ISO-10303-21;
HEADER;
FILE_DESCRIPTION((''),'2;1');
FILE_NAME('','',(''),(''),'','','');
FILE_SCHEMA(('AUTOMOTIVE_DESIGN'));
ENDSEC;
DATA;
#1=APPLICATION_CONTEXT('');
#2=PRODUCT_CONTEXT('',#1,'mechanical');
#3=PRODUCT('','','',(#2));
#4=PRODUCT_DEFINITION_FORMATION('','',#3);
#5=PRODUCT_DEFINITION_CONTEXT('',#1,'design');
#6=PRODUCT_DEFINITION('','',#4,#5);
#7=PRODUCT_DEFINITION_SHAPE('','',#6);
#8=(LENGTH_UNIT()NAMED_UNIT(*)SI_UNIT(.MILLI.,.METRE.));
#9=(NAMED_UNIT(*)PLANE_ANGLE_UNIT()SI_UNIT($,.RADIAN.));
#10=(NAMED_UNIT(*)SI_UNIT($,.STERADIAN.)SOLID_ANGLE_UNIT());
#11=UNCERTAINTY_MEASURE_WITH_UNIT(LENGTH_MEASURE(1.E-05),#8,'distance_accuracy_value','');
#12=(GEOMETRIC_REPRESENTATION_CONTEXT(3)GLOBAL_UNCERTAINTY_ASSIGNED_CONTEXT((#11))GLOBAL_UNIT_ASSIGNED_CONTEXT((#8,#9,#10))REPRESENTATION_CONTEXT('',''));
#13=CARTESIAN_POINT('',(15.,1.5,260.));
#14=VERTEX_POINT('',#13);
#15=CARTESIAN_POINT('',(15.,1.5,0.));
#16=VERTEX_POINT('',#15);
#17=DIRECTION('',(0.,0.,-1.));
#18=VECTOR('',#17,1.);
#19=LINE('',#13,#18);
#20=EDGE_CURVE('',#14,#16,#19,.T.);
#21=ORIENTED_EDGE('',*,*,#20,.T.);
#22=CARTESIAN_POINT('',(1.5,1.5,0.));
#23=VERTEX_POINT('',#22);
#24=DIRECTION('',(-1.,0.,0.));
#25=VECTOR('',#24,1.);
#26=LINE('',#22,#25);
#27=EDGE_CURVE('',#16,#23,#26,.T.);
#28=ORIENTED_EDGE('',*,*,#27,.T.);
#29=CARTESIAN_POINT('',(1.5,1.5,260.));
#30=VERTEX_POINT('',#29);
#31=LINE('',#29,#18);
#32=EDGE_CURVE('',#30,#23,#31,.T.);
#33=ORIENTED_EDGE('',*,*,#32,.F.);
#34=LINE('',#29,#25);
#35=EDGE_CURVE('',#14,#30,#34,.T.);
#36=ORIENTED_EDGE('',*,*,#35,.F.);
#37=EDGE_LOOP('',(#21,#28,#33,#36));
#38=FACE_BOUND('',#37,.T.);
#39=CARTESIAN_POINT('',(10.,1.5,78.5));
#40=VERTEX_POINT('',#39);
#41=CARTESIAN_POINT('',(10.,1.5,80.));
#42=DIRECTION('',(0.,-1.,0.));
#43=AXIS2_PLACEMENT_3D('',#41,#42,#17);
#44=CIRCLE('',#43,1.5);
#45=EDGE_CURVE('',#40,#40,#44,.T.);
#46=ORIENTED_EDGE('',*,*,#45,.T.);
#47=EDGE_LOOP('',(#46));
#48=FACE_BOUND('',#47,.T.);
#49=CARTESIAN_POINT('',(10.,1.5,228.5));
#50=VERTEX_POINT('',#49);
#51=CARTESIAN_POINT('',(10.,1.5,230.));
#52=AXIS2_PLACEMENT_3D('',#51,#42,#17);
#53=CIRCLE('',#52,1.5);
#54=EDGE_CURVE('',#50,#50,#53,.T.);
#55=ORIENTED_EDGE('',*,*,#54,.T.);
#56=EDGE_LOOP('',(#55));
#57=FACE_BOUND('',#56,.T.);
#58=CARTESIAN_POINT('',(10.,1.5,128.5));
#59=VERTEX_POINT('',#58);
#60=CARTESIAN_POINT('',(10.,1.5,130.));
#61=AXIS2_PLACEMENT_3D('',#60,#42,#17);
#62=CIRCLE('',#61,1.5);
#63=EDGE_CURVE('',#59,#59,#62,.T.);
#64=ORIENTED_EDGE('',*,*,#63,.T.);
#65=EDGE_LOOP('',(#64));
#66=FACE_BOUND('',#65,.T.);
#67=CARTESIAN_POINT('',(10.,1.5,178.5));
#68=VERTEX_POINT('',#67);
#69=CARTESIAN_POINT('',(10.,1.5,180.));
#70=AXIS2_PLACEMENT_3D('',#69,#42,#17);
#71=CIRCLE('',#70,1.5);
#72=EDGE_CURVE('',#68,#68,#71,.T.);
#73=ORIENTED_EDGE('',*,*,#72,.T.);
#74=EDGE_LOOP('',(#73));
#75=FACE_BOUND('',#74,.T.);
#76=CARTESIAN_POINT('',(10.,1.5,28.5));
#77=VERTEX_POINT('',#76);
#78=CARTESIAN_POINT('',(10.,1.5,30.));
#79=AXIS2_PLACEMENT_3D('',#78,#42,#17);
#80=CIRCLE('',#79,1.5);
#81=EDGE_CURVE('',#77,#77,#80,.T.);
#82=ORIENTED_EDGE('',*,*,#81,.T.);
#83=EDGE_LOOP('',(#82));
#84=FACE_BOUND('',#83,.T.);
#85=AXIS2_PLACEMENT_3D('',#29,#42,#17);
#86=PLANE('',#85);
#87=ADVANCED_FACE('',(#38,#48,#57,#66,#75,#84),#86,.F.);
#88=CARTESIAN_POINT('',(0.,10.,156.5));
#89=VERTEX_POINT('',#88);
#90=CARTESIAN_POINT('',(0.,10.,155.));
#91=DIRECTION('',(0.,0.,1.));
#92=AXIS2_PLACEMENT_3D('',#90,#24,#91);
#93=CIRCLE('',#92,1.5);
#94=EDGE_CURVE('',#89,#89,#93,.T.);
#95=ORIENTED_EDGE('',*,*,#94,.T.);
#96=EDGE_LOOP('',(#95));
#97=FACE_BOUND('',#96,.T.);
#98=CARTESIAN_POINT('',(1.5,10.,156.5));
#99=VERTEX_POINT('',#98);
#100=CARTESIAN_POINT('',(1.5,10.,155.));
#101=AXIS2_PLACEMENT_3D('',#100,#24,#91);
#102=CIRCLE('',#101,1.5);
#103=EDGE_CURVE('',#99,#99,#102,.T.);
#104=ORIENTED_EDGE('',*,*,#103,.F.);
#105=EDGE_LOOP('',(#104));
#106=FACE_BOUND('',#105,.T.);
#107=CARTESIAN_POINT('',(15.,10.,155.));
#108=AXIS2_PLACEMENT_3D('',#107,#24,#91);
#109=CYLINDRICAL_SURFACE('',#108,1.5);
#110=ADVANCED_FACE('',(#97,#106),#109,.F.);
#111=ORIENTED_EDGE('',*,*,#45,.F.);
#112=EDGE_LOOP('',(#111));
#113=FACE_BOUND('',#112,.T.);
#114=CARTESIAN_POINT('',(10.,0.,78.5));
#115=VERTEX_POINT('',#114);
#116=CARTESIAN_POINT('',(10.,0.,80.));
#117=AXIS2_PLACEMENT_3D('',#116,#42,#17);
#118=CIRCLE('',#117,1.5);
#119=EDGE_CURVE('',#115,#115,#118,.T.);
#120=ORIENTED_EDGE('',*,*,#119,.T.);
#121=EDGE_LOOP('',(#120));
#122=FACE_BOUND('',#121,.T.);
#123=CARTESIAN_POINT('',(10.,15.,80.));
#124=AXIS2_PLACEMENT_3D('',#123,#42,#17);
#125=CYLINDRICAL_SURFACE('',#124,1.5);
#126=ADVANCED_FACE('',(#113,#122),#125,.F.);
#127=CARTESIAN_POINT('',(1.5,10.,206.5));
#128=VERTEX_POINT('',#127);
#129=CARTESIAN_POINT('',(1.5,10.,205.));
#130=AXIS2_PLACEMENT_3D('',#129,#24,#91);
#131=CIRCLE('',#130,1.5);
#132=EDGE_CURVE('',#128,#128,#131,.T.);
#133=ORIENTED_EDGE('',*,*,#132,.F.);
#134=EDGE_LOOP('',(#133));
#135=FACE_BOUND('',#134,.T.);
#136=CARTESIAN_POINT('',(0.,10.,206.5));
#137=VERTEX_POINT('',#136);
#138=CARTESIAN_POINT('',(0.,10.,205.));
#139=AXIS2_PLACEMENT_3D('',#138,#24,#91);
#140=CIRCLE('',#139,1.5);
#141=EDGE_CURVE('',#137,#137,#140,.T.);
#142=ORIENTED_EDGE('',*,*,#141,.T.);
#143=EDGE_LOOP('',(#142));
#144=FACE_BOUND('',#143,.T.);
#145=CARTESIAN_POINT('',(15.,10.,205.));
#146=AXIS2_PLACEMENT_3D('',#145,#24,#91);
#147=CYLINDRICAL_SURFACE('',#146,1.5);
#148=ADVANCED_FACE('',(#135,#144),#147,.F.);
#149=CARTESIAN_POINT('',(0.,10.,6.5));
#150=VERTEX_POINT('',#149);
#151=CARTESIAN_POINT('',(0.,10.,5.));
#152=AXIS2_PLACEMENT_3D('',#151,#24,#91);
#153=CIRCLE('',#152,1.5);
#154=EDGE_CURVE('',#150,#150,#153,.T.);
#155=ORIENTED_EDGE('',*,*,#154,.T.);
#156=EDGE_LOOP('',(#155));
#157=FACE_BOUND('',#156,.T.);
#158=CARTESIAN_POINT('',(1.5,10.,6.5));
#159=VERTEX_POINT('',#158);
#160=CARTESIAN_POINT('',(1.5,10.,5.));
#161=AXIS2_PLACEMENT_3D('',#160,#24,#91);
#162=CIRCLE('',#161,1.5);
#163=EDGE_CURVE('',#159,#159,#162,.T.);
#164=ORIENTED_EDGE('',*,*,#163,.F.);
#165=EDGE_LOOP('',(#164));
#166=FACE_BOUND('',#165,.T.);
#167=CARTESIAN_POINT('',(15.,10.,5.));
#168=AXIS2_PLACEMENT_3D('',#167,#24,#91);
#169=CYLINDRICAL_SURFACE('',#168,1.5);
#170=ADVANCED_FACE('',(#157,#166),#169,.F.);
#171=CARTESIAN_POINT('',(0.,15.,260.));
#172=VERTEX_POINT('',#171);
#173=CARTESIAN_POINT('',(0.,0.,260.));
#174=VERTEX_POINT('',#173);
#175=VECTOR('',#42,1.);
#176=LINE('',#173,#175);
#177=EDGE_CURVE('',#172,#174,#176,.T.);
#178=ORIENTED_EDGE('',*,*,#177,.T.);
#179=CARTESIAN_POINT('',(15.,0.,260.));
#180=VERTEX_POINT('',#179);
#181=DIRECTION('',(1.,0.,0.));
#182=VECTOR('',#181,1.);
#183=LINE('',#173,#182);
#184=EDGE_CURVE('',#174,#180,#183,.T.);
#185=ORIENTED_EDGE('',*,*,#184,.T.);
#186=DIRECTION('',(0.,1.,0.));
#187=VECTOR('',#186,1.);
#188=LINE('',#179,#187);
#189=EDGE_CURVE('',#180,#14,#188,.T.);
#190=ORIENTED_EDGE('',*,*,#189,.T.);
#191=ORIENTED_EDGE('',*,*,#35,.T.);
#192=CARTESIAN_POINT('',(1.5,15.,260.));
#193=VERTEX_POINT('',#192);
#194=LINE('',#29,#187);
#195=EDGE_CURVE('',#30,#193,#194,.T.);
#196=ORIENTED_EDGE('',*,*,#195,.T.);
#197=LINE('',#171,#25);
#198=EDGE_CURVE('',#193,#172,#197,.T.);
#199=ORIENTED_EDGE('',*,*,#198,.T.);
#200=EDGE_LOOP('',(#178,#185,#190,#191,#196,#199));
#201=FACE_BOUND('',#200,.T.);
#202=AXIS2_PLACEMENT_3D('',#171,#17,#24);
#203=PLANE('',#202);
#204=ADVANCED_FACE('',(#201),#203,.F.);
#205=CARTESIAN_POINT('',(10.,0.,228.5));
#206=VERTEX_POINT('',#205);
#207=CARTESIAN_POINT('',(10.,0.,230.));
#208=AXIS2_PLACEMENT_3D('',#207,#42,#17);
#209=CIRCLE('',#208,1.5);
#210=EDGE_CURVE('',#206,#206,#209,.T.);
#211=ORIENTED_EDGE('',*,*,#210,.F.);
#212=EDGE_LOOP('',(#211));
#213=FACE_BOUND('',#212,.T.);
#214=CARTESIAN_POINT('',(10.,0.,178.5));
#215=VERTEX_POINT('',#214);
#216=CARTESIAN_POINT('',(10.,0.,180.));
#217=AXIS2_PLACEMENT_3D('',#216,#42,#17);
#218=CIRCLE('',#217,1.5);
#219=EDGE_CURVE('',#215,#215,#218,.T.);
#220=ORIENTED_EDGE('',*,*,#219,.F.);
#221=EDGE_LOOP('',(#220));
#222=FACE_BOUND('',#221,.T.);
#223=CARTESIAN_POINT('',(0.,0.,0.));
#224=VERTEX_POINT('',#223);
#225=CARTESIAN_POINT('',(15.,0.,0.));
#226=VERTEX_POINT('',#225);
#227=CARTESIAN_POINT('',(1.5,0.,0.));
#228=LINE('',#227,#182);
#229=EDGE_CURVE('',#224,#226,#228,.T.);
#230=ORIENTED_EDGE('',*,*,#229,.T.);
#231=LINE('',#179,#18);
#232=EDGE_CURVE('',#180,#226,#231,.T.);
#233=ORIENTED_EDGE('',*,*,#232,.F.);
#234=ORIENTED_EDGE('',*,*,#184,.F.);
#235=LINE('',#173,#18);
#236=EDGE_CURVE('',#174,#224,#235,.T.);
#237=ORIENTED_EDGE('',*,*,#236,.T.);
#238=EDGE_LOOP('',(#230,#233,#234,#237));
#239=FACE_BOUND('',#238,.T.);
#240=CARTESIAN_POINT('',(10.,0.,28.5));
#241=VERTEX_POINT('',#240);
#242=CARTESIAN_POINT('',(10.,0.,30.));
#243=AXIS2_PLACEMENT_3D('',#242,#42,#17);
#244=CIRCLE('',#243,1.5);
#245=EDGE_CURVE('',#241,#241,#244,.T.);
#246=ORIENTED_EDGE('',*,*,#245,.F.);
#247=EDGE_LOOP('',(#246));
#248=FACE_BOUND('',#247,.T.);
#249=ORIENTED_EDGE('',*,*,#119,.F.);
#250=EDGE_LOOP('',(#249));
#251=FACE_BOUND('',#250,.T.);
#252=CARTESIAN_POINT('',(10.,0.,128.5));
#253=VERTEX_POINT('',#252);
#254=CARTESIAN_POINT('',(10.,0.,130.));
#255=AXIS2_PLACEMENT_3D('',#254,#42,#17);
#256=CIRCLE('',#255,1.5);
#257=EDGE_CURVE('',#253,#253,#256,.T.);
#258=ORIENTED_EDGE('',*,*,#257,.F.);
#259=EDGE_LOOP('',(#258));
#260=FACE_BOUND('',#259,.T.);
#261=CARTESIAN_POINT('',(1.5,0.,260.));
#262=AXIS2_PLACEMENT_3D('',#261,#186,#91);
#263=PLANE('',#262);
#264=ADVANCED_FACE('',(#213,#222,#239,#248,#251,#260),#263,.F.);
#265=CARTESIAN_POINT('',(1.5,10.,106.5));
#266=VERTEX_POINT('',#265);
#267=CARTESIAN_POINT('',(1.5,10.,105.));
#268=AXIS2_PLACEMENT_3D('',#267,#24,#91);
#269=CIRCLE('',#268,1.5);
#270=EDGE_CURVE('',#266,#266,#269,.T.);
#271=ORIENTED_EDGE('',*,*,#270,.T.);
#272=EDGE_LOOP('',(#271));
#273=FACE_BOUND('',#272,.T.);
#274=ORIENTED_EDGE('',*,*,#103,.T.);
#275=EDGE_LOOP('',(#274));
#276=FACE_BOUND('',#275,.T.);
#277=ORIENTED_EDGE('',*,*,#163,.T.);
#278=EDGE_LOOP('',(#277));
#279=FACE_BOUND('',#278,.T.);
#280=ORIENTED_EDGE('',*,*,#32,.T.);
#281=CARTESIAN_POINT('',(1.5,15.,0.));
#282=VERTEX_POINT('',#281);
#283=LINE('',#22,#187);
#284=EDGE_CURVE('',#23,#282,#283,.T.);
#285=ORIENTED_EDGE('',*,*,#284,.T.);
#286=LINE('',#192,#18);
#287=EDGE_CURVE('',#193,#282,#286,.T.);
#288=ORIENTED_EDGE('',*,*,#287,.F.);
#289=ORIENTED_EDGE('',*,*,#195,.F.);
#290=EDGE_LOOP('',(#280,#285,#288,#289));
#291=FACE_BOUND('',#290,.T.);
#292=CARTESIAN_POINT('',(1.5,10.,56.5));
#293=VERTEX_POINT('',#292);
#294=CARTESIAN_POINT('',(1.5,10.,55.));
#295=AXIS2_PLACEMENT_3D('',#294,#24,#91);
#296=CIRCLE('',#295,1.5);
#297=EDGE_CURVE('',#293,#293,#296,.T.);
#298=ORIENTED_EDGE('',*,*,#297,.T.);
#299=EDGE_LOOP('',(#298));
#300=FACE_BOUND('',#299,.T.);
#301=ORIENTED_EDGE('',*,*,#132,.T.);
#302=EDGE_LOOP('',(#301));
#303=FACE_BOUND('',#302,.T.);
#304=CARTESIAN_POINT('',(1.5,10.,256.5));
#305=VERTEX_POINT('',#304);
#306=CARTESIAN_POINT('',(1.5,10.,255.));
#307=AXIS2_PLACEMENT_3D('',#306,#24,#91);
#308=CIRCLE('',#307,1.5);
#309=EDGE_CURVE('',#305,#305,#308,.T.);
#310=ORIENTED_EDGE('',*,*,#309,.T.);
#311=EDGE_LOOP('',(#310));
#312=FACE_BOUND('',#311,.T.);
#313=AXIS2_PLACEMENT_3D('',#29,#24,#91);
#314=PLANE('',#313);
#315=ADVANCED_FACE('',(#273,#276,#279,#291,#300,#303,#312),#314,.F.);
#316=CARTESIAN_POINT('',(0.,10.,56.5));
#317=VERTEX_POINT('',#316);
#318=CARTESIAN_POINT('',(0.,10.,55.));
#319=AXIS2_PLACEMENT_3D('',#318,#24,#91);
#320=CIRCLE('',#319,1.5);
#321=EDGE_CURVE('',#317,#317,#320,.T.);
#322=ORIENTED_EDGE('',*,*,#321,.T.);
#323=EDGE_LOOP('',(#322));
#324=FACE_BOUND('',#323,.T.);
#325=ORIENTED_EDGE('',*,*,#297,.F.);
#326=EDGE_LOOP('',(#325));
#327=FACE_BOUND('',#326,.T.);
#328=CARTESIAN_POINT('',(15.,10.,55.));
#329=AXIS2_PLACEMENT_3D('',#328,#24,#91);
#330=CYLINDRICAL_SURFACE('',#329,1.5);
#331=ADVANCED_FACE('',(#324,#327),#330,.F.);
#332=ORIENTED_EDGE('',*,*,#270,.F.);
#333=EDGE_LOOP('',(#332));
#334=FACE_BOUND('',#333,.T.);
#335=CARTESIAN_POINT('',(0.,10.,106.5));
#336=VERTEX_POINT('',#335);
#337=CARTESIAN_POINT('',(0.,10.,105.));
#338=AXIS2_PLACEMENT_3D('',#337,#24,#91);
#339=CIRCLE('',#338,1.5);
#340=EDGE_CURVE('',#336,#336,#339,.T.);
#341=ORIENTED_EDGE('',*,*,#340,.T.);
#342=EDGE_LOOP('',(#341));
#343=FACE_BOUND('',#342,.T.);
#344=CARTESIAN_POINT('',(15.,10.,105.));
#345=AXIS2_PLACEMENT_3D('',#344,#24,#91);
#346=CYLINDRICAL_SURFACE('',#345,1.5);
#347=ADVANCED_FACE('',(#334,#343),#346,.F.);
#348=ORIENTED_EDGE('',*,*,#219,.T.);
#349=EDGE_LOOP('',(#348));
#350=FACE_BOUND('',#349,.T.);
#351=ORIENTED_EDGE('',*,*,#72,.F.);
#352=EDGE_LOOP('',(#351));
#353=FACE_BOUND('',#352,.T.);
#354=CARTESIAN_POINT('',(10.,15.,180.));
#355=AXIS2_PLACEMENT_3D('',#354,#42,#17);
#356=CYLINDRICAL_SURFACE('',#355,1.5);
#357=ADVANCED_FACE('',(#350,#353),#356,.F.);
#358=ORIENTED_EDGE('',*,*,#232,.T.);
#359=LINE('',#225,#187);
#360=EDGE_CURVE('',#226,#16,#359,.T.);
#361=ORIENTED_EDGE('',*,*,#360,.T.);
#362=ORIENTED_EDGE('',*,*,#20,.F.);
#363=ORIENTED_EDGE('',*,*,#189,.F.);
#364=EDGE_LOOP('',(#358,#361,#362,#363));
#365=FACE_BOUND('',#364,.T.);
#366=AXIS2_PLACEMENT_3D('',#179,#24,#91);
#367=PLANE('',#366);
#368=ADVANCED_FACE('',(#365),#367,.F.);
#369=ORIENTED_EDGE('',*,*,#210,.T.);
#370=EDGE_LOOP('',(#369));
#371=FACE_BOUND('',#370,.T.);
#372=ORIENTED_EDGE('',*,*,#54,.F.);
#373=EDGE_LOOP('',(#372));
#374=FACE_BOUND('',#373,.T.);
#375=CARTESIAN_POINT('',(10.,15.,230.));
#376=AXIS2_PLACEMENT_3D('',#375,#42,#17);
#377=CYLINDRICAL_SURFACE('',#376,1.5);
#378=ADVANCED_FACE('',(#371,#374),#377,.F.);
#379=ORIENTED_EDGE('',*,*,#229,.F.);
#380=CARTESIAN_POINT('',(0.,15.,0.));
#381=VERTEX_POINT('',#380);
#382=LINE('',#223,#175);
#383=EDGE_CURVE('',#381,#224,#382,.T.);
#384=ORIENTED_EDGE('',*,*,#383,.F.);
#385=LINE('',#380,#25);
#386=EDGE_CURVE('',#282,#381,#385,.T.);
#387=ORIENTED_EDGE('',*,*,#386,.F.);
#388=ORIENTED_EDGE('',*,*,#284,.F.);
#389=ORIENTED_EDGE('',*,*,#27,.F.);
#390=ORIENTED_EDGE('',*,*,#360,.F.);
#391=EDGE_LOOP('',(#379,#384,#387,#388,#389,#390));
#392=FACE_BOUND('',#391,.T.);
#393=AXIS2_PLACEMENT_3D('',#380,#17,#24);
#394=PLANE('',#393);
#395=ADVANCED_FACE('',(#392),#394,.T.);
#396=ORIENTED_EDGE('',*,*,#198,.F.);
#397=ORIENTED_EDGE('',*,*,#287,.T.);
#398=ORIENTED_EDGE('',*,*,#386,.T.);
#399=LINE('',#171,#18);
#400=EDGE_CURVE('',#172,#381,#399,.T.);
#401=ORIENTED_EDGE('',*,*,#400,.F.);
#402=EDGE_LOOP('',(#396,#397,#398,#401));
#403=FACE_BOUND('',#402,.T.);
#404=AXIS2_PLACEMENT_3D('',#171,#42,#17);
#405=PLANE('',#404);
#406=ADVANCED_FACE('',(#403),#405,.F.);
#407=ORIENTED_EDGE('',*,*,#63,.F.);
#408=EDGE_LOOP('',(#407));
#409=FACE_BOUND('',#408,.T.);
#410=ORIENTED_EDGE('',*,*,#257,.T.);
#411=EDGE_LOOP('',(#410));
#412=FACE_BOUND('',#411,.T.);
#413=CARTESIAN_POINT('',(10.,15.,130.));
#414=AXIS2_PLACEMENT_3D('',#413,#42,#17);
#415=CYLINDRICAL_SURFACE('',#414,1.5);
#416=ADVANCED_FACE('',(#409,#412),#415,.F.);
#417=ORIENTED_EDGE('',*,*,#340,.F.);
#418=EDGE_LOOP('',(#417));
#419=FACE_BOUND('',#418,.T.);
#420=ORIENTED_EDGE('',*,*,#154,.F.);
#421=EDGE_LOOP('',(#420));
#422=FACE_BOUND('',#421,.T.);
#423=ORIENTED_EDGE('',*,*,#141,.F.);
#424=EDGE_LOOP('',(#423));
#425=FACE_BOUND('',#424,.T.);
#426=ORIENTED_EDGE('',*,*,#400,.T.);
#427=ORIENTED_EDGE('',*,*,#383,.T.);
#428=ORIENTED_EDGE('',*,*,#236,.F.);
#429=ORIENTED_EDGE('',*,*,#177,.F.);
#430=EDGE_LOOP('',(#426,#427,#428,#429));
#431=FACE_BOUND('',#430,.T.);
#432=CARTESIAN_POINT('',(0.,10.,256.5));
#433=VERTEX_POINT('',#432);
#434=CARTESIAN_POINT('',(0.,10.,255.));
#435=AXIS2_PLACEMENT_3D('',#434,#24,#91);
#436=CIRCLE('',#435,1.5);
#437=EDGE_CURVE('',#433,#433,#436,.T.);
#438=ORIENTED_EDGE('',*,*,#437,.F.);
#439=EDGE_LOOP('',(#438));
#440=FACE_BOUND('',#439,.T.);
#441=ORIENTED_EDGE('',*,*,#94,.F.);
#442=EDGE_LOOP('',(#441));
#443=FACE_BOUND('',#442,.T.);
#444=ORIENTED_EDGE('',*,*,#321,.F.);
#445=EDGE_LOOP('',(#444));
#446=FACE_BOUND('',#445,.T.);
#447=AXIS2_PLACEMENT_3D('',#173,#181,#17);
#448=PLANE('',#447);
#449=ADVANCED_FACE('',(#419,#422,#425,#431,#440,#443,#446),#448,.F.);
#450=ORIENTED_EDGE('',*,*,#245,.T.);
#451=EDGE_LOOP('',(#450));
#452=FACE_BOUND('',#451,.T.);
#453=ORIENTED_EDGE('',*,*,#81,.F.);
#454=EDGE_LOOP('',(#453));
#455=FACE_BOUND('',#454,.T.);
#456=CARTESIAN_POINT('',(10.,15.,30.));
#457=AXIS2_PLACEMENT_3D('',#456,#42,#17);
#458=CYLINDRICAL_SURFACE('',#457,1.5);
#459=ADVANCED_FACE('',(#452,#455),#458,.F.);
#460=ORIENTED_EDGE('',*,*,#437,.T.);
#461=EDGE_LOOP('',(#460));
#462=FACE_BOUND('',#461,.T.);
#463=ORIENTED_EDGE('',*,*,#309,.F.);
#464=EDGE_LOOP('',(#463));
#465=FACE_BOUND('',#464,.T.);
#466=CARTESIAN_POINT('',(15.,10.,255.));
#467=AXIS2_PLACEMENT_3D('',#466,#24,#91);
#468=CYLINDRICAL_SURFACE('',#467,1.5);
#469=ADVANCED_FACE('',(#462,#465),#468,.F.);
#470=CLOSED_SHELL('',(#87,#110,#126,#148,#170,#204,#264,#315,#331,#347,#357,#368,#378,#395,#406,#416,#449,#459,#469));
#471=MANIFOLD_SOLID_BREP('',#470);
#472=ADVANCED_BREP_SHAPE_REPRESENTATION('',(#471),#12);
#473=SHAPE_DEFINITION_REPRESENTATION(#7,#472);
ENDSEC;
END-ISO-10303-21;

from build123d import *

# Parameters (mm, degrees)
EXTRUSION1_DEPTH           = 260
ESQUISSE2_R                = 1.5
EXTRUSION2_DEPTH           = 261.863949215
R_P_TITION_LIN_AIRE1_COUNT = 6
R_P_TITION_LIN_AIRE1_PITCH = 50
ESQUISSE3_R                = 1.5
EXTRUSION3_DEPTH           = 261.863949215
R_P_TITION_LIN_AIRE2_COUNT = 5
R_P_TITION_LIN_AIRE2_PITCH = 50


with BuildPart() as part:
    # Esquisse1 → Extrusion1 (new body)
    with BuildSketch(Plane.XY):
        Polygon((0, 0), (1.5, 0), (15, 0), (15, 1.5), (1.5, 1.5), (1.5, 15), (0, 15), align=None)
    extrude(amount=EXTRUSION1_DEPTH)

    # Esquisse2 → Extrusion2 (cut, through all)
    with BuildSketch(Plane.ZY):
        with Locations((5, 10)):
            Circle(ESQUISSE2_R)
    extrusion2 = extrude(amount=-EXTRUSION2_DEPTH, mode=Mode.SUBTRACT)

    # Répétition linéaire1: Extrusion2 ×6
    with Locations(*[(0, 0, i * R_P_TITION_LIN_AIRE1_PITCH) for i in range(1, R_P_TITION_LIN_AIRE1_COUNT)]):
        add(extrusion2, mode=Mode.SUBTRACT)

    # Esquisse3 → Extrusion3 (cut, through all)
    with BuildSketch(Plane.XZ):
        with Locations(Location((10, 30, 0), (0, 0, 270))):
            Circle(ESQUISSE3_R)
    extrusion3 = extrude(amount=-EXTRUSION3_DEPTH, mode=Mode.SUBTRACT)

    # Répétition linéaire2: Extrusion3 ×5
    with Locations(*[(0, 0, i * R_P_TITION_LIN_AIRE2_PITCH) for i in range(1, R_P_TITION_LIN_AIRE2_COUNT)]):
        add(extrusion3, mode=Mode.SUBTRACT)


solid = part.part
